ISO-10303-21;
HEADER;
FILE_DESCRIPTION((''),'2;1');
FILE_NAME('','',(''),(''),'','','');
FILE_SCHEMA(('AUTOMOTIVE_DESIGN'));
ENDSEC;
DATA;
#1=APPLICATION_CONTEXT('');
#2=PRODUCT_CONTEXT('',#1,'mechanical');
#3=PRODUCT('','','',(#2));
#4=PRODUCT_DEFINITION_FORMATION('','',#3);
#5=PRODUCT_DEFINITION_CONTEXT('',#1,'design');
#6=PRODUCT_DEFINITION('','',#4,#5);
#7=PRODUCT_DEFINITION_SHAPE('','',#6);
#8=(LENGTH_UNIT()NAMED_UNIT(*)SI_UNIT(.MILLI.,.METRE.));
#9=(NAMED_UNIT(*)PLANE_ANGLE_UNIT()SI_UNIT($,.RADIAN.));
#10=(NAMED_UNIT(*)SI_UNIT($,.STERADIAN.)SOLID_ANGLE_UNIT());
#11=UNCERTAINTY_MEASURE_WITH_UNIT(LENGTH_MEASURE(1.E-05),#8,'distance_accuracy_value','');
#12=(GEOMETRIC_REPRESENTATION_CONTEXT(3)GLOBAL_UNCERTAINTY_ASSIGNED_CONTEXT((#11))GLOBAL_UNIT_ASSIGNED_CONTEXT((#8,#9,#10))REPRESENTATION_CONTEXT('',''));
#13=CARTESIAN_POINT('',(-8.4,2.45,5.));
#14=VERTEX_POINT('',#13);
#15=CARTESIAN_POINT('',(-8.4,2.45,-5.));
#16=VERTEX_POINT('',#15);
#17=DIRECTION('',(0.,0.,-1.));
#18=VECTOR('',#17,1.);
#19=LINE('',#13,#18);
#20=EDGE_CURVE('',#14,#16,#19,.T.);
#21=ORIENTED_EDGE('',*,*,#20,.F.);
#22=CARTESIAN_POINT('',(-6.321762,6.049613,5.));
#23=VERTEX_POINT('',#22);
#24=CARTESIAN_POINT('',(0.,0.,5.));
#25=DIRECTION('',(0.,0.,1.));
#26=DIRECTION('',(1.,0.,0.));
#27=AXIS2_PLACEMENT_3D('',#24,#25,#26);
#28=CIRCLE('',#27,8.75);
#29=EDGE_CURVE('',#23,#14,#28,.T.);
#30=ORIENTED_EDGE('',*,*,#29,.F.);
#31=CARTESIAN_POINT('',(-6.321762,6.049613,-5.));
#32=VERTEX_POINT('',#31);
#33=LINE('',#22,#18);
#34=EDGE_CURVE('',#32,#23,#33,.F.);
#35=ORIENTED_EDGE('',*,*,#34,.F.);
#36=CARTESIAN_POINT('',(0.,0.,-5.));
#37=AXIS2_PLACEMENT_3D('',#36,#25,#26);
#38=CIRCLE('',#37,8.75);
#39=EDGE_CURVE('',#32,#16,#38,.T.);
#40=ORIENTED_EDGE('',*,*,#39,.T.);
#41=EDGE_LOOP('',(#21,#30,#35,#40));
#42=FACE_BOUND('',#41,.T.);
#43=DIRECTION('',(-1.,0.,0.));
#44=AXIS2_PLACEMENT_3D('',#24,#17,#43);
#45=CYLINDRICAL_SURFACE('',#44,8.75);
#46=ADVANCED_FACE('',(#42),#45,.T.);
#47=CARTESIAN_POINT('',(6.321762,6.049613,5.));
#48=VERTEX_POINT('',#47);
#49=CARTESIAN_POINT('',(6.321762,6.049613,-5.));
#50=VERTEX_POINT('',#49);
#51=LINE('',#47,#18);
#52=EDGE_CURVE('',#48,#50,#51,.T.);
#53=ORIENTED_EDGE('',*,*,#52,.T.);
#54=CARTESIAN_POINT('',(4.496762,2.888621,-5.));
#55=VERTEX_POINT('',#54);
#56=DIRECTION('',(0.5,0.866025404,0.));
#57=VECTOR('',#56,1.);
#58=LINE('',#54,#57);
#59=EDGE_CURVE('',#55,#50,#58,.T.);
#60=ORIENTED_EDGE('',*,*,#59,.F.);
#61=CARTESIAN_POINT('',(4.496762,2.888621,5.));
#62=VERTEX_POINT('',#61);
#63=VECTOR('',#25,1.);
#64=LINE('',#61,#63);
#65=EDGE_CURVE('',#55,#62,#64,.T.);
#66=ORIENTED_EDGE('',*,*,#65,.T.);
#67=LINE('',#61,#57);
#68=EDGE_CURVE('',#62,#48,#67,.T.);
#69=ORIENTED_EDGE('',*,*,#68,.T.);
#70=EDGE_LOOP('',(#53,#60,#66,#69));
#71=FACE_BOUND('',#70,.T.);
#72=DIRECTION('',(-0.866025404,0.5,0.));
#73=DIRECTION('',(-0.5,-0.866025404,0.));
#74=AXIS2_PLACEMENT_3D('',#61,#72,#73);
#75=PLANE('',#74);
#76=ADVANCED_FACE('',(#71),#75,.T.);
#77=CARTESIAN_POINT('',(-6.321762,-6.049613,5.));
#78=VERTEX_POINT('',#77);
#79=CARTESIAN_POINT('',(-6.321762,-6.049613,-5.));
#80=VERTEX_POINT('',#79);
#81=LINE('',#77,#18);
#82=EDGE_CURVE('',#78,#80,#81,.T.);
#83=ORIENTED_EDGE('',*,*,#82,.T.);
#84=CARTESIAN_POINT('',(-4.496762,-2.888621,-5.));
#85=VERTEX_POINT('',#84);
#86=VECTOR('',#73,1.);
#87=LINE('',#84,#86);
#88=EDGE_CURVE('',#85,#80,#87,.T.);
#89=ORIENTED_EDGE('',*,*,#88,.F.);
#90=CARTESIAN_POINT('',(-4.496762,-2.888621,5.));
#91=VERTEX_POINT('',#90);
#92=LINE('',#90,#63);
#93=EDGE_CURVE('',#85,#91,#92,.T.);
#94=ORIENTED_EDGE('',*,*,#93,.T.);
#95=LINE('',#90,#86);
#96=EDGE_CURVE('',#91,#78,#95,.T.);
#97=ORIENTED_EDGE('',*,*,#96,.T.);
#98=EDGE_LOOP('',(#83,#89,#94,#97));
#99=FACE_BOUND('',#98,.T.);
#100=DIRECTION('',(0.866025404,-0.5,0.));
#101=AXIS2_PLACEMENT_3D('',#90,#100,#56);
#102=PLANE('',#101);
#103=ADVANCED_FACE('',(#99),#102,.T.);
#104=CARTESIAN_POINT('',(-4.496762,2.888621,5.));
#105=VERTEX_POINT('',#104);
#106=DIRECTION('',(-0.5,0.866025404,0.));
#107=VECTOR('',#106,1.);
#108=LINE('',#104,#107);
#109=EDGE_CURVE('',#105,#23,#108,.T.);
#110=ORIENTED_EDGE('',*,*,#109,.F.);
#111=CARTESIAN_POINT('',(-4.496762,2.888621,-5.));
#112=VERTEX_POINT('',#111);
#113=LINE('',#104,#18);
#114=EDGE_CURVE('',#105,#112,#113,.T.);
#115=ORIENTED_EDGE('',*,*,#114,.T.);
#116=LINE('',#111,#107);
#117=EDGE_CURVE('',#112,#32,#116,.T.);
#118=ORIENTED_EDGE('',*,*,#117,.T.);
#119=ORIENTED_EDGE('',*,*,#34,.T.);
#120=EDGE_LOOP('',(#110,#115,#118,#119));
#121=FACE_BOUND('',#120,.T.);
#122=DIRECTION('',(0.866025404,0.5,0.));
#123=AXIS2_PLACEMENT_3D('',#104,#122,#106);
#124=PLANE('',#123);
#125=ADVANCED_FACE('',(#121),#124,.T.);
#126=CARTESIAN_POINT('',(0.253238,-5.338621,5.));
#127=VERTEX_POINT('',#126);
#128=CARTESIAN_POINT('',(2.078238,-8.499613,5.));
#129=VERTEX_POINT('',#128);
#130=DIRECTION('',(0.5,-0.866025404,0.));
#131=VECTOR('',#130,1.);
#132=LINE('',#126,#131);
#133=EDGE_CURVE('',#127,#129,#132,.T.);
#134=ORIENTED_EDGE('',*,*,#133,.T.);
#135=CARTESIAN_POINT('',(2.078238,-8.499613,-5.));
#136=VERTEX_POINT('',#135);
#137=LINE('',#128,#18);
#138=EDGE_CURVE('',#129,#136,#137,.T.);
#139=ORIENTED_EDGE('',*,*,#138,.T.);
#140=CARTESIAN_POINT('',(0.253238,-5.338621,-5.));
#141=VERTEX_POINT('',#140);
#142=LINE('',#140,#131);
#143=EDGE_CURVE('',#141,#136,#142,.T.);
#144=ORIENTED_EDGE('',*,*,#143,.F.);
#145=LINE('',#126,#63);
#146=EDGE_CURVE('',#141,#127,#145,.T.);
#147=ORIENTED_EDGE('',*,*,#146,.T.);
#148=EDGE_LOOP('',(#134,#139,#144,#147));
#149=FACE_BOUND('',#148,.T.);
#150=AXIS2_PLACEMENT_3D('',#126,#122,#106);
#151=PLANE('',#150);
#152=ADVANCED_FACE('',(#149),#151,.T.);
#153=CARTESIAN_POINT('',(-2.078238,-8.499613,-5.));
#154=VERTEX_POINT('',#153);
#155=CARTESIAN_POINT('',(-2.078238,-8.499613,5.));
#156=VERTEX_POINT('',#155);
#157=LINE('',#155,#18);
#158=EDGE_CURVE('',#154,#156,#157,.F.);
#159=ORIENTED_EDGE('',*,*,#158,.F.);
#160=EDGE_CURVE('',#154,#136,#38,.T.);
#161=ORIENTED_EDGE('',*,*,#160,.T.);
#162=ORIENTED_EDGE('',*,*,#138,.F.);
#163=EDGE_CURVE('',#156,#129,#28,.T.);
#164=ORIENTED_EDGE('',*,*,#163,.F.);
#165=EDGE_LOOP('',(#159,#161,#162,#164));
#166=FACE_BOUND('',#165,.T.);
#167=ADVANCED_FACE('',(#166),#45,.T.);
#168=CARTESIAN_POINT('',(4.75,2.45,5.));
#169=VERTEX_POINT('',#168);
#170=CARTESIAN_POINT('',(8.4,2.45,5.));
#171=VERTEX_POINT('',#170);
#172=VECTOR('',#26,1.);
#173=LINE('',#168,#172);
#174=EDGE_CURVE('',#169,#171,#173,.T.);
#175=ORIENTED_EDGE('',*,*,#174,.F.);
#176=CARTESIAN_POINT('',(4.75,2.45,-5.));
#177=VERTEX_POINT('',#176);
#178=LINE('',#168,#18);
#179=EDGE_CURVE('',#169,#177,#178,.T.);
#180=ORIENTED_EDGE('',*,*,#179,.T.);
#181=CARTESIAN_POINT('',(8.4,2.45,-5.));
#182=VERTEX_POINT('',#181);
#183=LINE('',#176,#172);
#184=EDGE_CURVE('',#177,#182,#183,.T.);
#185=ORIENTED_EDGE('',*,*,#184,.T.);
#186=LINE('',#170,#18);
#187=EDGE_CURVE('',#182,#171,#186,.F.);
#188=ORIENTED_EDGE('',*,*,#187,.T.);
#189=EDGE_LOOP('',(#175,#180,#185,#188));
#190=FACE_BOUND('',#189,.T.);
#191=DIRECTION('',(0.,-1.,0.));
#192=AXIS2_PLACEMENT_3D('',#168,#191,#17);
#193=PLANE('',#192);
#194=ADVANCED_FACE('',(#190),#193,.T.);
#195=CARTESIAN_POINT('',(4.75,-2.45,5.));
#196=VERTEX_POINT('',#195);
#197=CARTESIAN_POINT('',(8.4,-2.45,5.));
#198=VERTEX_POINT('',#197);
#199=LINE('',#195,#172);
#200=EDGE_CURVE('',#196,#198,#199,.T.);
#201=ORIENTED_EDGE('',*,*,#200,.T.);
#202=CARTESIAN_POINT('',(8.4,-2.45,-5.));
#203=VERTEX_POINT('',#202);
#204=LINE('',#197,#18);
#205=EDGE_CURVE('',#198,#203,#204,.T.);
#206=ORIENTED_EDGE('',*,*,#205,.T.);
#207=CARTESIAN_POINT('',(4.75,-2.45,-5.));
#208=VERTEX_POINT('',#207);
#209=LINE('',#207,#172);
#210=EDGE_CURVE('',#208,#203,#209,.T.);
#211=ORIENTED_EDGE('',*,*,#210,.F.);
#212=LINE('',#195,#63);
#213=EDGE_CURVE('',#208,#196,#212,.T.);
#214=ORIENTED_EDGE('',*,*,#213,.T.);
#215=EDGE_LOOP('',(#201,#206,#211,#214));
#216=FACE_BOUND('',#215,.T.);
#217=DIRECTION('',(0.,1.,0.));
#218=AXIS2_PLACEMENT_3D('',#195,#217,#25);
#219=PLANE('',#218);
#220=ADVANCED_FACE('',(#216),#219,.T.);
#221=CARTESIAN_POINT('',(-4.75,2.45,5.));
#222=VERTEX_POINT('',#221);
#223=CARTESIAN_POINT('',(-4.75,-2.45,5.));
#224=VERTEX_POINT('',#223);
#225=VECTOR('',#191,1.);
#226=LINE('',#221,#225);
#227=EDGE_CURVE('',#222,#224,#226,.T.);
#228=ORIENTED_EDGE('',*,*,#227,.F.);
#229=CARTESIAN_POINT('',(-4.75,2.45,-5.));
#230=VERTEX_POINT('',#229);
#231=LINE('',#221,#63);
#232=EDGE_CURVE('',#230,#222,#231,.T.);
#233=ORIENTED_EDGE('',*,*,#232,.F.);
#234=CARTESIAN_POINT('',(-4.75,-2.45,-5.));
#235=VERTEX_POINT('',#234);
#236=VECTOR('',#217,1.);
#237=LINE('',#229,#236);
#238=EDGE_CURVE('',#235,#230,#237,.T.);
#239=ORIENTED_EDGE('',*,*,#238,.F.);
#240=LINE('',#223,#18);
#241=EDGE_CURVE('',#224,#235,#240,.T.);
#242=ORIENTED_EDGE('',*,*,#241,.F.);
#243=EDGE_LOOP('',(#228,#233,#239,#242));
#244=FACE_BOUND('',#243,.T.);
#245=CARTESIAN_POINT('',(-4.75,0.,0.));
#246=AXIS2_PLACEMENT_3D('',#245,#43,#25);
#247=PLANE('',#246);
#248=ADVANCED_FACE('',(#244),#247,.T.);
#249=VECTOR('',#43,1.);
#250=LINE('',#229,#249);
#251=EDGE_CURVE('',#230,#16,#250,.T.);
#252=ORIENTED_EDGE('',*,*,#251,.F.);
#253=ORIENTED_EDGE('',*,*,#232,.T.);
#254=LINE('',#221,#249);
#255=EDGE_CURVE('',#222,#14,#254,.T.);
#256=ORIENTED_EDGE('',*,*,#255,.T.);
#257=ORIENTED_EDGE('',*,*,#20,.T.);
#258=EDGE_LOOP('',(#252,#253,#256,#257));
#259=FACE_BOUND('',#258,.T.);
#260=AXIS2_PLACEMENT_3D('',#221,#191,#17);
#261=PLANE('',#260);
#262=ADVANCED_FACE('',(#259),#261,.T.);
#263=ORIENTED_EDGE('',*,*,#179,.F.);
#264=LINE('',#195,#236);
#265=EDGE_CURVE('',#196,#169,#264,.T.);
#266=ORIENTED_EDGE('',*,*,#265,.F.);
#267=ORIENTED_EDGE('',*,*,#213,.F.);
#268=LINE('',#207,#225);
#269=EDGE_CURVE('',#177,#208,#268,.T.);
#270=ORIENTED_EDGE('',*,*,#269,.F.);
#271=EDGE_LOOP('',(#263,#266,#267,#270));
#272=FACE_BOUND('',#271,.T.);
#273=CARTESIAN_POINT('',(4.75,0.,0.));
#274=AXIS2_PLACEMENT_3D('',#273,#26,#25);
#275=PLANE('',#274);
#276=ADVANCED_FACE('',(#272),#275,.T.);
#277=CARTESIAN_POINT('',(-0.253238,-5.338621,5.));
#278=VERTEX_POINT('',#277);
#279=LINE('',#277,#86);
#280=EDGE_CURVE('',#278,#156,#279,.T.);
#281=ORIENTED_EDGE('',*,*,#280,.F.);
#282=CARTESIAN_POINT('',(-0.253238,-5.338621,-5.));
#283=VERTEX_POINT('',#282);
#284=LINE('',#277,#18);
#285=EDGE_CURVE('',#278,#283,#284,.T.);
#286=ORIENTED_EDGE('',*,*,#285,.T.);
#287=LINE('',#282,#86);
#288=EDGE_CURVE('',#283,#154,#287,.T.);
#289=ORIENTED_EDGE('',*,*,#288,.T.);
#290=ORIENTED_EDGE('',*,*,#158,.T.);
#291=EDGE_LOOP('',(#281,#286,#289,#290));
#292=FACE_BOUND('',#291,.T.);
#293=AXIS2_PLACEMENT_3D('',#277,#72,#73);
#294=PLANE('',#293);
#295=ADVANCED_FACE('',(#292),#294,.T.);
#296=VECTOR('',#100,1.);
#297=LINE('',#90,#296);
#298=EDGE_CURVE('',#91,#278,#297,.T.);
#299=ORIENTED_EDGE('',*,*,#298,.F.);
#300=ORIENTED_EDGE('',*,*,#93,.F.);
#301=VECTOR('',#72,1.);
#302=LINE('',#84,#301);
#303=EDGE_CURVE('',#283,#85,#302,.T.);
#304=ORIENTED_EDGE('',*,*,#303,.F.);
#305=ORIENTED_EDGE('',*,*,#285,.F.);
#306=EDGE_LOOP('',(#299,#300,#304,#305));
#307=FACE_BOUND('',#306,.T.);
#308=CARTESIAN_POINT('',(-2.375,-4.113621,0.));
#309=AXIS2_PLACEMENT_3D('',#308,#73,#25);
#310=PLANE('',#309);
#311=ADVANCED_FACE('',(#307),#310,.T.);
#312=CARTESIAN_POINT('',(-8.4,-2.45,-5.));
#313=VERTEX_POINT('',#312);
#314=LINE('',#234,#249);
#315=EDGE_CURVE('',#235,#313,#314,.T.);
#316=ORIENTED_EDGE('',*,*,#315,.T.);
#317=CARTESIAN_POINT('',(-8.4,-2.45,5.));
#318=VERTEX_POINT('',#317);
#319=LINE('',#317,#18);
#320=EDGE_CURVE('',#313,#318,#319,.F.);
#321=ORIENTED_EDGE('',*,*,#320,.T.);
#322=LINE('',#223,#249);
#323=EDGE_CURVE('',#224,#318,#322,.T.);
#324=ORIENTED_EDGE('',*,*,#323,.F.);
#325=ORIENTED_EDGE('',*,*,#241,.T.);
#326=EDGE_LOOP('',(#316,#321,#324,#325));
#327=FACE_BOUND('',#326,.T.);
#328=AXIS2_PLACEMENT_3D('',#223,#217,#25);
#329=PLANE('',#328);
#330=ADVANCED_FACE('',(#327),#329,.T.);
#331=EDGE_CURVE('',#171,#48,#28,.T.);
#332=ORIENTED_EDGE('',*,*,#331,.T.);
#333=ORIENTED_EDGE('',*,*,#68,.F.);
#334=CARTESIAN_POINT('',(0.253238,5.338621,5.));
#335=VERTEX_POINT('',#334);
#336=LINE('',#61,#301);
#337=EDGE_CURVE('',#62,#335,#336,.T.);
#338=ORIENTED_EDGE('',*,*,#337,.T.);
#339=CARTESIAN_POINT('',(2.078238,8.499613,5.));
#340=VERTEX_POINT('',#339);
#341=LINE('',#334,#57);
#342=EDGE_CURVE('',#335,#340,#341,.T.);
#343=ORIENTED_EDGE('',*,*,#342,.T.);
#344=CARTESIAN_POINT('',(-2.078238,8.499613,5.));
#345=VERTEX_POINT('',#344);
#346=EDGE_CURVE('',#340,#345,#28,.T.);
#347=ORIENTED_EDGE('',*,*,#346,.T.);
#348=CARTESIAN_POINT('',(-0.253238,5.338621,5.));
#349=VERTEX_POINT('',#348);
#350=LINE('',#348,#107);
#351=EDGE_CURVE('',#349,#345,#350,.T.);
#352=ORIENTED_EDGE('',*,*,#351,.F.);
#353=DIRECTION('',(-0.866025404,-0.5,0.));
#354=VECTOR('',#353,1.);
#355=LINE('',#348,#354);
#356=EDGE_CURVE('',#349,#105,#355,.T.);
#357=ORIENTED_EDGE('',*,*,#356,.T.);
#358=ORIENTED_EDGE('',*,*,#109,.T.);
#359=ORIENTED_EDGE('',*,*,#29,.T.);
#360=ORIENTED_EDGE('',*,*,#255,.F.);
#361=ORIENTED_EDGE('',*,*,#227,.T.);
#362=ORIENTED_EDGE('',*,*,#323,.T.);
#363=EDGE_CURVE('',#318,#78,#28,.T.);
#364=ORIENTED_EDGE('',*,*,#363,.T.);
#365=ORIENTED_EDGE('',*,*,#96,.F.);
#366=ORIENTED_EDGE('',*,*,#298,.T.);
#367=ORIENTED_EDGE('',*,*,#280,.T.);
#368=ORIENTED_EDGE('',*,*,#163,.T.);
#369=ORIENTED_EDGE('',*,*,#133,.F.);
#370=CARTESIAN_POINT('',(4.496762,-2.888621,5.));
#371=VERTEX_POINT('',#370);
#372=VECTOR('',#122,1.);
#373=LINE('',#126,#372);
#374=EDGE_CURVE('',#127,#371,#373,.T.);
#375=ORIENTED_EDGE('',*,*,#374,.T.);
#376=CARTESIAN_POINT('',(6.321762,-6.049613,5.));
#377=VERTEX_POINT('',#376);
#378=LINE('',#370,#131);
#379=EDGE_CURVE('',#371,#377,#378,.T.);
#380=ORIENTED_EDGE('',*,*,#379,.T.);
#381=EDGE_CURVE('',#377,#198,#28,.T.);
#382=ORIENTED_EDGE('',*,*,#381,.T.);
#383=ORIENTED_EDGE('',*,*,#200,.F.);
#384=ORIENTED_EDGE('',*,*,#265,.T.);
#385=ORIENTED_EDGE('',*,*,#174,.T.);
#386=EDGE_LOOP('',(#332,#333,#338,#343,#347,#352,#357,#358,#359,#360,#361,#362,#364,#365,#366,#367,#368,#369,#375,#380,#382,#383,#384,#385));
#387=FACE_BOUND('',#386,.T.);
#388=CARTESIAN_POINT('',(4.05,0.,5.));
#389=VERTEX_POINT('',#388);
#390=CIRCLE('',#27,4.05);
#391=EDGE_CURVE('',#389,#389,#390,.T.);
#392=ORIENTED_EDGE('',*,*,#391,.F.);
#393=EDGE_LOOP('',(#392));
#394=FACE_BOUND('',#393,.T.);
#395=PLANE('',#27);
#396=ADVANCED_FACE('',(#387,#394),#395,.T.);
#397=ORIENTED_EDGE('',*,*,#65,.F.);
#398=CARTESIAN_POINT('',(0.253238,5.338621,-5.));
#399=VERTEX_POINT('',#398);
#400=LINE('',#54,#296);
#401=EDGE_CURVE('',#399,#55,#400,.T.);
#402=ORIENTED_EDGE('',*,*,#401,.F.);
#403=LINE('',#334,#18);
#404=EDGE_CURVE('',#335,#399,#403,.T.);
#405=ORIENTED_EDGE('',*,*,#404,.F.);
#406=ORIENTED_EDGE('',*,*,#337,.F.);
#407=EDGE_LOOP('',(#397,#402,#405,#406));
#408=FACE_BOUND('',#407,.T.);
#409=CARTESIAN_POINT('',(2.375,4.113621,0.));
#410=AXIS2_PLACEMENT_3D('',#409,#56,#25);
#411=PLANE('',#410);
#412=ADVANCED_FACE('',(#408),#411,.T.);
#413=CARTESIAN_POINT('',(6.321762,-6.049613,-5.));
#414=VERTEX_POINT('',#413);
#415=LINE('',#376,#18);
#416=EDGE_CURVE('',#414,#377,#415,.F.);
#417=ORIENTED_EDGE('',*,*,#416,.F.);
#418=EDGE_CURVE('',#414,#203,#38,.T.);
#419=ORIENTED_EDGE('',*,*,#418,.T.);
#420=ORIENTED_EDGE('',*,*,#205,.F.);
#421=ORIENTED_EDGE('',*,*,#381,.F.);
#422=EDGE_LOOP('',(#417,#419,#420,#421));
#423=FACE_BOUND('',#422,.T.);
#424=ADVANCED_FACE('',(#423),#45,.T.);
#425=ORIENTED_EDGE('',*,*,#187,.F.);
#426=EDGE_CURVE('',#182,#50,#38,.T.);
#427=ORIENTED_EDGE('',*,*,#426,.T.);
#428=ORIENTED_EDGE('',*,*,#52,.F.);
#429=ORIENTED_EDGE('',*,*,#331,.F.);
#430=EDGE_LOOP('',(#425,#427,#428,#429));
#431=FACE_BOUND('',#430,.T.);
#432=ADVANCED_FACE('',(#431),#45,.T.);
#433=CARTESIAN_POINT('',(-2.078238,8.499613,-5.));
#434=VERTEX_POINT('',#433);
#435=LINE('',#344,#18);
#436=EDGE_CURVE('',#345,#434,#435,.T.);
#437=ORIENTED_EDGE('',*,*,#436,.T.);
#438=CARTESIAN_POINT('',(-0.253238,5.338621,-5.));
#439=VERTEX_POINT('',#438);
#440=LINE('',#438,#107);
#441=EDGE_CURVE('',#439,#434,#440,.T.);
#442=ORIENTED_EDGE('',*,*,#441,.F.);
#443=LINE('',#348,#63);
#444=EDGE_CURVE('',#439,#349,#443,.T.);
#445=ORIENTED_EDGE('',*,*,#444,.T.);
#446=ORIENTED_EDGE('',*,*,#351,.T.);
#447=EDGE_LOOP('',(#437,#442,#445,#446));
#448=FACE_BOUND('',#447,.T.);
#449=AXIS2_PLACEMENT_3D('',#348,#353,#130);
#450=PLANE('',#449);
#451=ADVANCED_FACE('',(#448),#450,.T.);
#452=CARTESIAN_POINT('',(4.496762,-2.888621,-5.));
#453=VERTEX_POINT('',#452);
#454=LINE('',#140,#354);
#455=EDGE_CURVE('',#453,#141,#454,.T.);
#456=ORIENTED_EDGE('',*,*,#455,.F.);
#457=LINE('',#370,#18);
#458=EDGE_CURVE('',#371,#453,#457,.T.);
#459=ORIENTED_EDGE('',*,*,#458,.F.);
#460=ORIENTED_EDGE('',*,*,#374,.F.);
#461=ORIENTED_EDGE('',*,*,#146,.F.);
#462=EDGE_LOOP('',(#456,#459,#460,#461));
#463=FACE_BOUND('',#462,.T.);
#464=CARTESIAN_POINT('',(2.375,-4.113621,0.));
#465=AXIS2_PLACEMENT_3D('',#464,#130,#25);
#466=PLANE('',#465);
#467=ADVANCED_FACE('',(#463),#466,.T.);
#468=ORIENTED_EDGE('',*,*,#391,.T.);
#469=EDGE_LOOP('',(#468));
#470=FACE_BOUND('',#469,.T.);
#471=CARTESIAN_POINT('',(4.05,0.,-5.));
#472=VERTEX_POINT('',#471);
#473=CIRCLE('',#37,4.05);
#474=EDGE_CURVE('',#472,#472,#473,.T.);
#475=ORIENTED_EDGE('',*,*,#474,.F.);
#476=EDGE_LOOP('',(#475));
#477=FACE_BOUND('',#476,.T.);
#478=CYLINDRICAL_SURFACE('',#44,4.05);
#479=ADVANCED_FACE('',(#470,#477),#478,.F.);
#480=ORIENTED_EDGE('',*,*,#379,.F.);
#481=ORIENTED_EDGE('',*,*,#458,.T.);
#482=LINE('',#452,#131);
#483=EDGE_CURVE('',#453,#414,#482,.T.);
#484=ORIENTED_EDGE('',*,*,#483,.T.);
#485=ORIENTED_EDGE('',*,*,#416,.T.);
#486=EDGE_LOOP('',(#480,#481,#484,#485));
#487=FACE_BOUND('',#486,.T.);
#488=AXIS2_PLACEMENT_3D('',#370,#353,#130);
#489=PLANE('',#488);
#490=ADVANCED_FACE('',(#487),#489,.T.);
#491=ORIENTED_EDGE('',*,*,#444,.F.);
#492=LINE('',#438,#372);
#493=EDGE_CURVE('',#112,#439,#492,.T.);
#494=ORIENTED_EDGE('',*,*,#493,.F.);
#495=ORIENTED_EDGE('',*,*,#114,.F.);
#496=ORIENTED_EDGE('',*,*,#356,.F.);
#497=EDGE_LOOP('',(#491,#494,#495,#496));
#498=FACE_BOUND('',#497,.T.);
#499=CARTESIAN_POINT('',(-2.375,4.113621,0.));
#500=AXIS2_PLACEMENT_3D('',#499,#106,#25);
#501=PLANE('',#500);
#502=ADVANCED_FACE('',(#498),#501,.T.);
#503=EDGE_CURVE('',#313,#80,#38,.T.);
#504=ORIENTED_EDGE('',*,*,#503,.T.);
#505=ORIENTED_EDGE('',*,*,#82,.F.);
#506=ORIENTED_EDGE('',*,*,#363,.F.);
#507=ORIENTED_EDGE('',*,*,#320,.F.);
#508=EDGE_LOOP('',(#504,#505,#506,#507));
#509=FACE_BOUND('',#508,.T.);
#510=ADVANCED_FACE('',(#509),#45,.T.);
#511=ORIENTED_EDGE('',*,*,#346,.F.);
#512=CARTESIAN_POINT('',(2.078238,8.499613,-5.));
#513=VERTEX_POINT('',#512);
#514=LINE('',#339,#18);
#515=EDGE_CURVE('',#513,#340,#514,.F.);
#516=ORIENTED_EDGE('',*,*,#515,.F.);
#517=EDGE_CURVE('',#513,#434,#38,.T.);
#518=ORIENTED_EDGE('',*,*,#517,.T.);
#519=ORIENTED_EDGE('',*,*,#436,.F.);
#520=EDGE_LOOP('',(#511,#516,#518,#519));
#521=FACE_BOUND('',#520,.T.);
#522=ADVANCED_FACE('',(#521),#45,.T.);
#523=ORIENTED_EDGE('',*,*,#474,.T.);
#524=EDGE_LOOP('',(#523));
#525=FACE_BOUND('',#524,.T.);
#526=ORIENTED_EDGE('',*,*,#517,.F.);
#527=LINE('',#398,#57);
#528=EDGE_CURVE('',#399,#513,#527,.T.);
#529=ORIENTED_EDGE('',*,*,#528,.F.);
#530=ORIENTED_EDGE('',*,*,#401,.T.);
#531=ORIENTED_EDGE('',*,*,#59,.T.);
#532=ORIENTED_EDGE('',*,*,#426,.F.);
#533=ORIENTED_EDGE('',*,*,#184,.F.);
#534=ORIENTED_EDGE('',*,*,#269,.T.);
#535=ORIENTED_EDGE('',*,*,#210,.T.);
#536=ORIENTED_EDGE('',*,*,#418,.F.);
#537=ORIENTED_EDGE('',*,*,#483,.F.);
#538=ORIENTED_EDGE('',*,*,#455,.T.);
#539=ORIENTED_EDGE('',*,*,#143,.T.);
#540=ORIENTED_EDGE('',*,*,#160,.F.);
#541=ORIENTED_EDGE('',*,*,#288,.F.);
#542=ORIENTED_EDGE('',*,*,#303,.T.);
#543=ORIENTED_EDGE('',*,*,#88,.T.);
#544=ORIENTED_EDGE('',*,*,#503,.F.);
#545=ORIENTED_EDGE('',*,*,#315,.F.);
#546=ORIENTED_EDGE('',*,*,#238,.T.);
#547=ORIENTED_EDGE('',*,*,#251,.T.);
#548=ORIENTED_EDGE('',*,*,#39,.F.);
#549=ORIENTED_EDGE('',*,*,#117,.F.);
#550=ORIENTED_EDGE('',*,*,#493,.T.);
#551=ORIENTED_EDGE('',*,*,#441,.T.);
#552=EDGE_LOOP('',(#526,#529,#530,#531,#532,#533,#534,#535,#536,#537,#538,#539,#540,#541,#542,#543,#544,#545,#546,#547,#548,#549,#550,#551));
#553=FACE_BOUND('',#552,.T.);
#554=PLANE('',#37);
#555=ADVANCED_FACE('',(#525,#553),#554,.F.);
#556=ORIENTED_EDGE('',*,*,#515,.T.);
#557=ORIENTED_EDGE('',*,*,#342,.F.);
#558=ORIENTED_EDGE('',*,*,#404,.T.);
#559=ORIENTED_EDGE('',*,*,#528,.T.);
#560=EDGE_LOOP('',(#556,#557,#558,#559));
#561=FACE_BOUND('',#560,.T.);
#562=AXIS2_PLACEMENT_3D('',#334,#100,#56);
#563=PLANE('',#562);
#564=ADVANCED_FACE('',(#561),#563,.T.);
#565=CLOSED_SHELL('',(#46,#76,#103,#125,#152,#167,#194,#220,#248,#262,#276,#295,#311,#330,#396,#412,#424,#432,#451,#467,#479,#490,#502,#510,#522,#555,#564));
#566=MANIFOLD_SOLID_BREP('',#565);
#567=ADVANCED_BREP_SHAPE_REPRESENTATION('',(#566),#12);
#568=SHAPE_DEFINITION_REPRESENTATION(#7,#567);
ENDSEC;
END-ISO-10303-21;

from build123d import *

# Parameters (mm, degrees)
SKETCH1_R           = 8.75
SKETCH1_R_2         = 4.05
BOSS_EXTRUDE1_DEPTH = 5
SKETCH2_W           = 4.9
SKETCH2_H           = 10
CUT_EXTRUDE3_DEPTH  = 4
CIRPATTERN1_COUNT   = 6


with BuildPart() as part:
    # Sketch1 → Boss-Extrude1 (new, symmetric)
    with BuildSketch(Plane.XY):
        Circle(SKETCH1_R)
        Circle(SKETCH1_R_2, mode=Mode.SUBTRACT)
    extrude(amount=BOSS_EXTRUDE1_DEPTH, both=True)

    # Sketch2 → Cut-Extrude3 (cut)
    with BuildSketch(Plane(origin=(-8.75, -17.193061184, 0), x_dir=(0, -1, 0), z_dir=(1, 0, 0))):
        with Locations((-17.193061184, 0)):
            Rectangle(SKETCH2_W, SKETCH2_H)
    cut_extrude3 = extrude(amount=CUT_EXTRUDE3_DEPTH, mode=Mode.SUBTRACT)

    # CirPattern1: Cut-Extrude3 ×6 about axis
    cirpattern1_axis = Axis((0, 0, 5), (0, 0, 1))
    for i in range(1, CIRPATTERN1_COUNT):
        add(cut_extrude3.rotate(cirpattern1_axis, i * 360 / CIRPATTERN1_COUNT), mode=Mode.SUBTRACT)


solid = part.part
